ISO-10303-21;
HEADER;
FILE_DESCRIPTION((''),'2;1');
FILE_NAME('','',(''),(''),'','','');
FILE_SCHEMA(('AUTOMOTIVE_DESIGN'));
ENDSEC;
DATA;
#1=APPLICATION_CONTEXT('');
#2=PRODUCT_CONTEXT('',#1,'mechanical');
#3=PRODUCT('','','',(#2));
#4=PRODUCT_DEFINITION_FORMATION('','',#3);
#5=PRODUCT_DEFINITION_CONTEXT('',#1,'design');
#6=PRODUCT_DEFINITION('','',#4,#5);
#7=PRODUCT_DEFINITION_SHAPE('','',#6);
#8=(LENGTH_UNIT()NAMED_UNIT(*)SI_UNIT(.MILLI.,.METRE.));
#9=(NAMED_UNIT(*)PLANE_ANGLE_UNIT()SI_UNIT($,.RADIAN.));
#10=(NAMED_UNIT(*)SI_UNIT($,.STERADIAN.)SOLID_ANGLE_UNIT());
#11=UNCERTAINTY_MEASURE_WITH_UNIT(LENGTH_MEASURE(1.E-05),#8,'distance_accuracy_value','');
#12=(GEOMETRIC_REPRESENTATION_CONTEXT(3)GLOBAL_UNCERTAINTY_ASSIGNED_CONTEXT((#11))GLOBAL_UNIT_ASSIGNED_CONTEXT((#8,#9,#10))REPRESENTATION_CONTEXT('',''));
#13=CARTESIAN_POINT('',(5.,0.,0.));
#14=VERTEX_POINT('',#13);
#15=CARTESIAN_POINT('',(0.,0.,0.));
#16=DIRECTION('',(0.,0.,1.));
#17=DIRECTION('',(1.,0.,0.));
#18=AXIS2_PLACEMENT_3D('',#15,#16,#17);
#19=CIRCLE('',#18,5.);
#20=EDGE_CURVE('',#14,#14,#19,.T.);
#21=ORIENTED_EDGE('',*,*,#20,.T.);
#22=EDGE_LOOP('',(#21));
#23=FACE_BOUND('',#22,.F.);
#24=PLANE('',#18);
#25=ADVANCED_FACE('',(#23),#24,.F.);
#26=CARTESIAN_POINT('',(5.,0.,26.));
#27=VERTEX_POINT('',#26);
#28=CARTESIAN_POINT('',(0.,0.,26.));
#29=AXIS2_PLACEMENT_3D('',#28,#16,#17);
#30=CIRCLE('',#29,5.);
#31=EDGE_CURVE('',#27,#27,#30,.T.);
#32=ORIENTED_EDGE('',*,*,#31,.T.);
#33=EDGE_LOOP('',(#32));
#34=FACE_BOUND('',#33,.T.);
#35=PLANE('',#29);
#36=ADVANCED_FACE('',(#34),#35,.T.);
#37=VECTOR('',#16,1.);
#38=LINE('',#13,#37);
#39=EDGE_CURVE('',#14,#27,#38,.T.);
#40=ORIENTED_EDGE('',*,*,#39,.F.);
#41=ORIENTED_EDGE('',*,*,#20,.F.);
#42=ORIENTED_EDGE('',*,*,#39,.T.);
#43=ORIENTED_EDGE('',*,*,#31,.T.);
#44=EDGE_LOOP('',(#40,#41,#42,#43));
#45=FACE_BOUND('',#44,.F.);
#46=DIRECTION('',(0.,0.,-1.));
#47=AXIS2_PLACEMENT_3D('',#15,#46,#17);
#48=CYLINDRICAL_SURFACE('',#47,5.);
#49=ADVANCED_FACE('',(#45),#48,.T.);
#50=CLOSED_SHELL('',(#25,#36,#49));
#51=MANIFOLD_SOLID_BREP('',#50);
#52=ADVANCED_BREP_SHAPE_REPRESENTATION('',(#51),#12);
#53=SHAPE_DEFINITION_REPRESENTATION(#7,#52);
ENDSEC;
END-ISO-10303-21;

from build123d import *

# Parameters (mm, degrees)
SKETCH1_R           = 5
BOSS_EXTRUDE1_DEPTH = 26


with BuildPart() as part:
    # Sketch1 → Boss-Extrude1 (new body)
    with BuildSketch(Plane.XY):
        Circle(SKETCH1_R)
    extrude(amount=BOSS_EXTRUDE1_DEPTH)


solid = part.part
